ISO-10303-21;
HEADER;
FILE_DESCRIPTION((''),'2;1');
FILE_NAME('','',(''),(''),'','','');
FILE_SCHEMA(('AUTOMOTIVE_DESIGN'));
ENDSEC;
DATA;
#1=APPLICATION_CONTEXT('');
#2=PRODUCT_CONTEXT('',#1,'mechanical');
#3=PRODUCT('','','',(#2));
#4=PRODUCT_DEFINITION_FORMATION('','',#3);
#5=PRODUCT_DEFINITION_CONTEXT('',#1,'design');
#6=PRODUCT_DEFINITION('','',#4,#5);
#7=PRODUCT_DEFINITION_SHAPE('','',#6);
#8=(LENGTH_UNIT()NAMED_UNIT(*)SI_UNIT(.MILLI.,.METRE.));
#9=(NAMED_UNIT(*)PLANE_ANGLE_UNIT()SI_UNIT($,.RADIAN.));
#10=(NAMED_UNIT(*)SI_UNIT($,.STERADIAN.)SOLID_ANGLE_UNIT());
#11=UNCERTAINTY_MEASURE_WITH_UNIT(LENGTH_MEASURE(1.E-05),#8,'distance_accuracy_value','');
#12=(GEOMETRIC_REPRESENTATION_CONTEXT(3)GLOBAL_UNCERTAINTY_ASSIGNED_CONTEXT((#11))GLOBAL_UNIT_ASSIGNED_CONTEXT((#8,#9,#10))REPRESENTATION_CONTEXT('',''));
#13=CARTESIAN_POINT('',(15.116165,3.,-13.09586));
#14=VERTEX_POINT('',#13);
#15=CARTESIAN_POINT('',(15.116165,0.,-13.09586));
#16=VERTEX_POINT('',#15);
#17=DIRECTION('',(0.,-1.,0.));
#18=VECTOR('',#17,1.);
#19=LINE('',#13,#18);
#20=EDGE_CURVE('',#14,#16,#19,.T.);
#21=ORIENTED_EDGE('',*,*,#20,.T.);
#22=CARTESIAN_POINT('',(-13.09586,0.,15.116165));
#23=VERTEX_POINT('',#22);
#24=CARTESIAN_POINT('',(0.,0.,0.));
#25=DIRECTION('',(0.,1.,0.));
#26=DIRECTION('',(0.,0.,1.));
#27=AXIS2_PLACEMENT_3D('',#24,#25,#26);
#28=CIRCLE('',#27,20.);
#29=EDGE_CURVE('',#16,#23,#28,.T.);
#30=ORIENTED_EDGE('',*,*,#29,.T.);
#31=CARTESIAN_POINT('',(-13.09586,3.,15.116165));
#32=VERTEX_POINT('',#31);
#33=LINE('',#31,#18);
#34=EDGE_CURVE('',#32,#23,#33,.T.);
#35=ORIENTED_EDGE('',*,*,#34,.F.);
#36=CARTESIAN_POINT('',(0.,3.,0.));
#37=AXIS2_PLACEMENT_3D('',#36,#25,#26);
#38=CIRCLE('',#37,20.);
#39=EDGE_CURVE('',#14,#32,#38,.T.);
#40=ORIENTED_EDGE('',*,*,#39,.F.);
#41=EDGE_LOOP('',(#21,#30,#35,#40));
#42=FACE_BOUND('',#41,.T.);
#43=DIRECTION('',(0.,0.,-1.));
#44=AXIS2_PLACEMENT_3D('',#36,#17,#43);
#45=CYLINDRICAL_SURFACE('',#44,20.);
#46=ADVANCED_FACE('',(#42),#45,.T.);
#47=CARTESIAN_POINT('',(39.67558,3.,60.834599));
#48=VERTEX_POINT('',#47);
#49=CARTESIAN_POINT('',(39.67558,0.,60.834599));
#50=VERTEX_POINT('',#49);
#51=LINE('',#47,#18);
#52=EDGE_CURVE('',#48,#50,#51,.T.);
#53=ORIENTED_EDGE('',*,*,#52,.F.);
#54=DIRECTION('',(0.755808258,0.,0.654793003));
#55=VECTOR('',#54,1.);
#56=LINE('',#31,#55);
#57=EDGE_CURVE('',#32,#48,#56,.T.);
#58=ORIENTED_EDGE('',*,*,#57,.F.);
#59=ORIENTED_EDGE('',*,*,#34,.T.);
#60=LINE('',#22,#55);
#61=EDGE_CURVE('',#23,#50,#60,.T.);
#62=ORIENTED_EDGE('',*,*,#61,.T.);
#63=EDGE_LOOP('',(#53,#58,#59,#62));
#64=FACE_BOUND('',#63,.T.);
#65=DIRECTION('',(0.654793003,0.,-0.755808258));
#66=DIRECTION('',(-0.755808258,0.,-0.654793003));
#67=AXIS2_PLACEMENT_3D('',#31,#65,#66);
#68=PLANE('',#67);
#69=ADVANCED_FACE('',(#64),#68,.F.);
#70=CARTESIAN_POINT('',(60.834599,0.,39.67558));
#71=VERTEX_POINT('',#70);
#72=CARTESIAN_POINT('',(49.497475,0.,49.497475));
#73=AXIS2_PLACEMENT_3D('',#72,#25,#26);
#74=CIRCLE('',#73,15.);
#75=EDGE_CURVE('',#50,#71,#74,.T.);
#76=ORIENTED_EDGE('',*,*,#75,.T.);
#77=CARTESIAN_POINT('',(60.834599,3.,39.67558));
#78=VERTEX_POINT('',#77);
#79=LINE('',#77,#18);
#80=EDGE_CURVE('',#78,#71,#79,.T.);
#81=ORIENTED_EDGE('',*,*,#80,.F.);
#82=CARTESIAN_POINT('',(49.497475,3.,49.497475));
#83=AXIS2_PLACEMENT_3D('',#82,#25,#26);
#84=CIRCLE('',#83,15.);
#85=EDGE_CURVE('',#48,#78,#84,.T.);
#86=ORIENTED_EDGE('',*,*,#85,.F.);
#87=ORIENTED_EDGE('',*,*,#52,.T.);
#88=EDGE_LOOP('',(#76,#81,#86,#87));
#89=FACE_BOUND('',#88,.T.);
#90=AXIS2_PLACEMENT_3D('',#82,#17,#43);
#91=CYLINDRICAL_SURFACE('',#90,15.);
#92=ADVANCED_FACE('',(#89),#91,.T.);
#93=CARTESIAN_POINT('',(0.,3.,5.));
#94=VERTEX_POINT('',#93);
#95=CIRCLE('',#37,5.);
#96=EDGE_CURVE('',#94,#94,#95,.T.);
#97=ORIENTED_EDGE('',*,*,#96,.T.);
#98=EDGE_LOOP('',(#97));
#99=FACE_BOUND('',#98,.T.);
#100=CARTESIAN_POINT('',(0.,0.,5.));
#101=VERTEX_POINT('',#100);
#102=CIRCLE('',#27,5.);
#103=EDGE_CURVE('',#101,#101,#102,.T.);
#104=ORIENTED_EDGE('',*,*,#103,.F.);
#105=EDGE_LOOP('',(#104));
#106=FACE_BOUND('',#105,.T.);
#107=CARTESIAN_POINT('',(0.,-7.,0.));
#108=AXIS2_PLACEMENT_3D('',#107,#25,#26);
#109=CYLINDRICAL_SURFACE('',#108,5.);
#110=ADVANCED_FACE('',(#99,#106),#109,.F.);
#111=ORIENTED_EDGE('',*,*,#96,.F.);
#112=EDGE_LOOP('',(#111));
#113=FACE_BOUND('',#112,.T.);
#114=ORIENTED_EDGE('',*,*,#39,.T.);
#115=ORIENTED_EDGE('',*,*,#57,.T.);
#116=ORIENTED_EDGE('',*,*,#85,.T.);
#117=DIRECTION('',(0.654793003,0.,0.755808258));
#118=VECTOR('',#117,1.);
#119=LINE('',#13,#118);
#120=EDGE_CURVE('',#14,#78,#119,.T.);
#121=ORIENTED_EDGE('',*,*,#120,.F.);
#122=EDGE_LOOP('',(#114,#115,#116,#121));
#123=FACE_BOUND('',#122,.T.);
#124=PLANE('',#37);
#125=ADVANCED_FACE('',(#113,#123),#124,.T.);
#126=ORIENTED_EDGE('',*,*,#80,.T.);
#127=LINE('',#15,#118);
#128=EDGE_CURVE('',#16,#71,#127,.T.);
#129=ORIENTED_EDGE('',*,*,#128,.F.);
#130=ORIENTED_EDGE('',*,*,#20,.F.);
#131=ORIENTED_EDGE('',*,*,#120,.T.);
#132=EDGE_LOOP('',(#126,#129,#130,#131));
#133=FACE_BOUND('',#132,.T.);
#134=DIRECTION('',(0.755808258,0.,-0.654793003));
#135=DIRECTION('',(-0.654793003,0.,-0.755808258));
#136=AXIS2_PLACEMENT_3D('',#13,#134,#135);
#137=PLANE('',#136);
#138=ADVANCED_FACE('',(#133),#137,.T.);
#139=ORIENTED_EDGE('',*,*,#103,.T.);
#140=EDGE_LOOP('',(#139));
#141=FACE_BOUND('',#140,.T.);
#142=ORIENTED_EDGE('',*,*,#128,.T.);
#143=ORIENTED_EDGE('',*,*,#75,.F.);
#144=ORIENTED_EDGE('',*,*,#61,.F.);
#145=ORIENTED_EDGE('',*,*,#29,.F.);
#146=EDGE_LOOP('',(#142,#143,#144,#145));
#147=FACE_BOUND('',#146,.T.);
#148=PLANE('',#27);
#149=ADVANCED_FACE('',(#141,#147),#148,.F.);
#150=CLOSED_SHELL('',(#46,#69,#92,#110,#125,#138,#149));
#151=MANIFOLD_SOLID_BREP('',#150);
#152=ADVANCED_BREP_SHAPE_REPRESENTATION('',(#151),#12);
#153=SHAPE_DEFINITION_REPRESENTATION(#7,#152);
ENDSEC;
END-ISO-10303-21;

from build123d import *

# Parameters (mm, degrees)
SKETCH_1_R          = 20
SKETCH_1_R_2        = 15
EXTRUDE_1_DEPTH     = 3
SKETCH_2_R          = 2.5
CUT_EXTRUDE_1_DEPTH = 92.262525064
SKETCH_3_R          = 5
CUT_EXTRUDE_2_DEPTH = 10


with BuildPart() as part:
    # 草图1 → 凸台-拉伸1 (new body)
    with BuildSketch(Plane(origin=(0, 0, 0), x_dir=(1, 0, 0), z_dir=(0, 1, 0))):
        Circle(SKETCH_1_R)
        with BuildLine():
            ThreePointArc((20, 0), (8.309115435, -18.192267607), (-13.095860068, -15.116165158))
            Line((-13.095860068, -15.116165158), (39.675579632, -60.834598551))
            ThreePointArc((39.675579632, -60.834598551), (38.890872965, -38.890872965), (60.834598551, -39.675579632))
            Line((60.834598551, -39.675579632), (15.116165158, 13.095860068))
            ThreePointArc((15.116165158, 13.095860068), (18.73930766, 6.98844392), (20, 0))
        make_face()
        with Locations((49.497474683, -49.497474683)):
            Circle(SKETCH_1_R_2)
    extrude(amount=EXTRUDE_1_DEPTH)

    # 草图2 → 切除-拉伸1 (cut, through all)
    with BuildSketch(Plane(origin=(0, 3, 0), x_dir=(1, 0, 0), z_dir=(0, 1, 0))):
        with Locations(Location((0, 0, 0), (0, 0, 270))):
            Circle(SKETCH_2_R)
    extrude(amount=-CUT_EXTRUDE_1_DEPTH, mode=Mode.SUBTRACT)

    # 草图3 → 切除-拉伸2 (cut)
    with BuildSketch(Plane(origin=(0, 3, 0), x_dir=(1, 0, 0), z_dir=(0, 1, 0))):
        with Locations(Location((0, 0, 0), (0, 0, 270))):
            Circle(SKETCH_3_R)
    extrude(amount=-CUT_EXTRUDE_2_DEPTH, mode=Mode.SUBTRACT)


solid = part.part
